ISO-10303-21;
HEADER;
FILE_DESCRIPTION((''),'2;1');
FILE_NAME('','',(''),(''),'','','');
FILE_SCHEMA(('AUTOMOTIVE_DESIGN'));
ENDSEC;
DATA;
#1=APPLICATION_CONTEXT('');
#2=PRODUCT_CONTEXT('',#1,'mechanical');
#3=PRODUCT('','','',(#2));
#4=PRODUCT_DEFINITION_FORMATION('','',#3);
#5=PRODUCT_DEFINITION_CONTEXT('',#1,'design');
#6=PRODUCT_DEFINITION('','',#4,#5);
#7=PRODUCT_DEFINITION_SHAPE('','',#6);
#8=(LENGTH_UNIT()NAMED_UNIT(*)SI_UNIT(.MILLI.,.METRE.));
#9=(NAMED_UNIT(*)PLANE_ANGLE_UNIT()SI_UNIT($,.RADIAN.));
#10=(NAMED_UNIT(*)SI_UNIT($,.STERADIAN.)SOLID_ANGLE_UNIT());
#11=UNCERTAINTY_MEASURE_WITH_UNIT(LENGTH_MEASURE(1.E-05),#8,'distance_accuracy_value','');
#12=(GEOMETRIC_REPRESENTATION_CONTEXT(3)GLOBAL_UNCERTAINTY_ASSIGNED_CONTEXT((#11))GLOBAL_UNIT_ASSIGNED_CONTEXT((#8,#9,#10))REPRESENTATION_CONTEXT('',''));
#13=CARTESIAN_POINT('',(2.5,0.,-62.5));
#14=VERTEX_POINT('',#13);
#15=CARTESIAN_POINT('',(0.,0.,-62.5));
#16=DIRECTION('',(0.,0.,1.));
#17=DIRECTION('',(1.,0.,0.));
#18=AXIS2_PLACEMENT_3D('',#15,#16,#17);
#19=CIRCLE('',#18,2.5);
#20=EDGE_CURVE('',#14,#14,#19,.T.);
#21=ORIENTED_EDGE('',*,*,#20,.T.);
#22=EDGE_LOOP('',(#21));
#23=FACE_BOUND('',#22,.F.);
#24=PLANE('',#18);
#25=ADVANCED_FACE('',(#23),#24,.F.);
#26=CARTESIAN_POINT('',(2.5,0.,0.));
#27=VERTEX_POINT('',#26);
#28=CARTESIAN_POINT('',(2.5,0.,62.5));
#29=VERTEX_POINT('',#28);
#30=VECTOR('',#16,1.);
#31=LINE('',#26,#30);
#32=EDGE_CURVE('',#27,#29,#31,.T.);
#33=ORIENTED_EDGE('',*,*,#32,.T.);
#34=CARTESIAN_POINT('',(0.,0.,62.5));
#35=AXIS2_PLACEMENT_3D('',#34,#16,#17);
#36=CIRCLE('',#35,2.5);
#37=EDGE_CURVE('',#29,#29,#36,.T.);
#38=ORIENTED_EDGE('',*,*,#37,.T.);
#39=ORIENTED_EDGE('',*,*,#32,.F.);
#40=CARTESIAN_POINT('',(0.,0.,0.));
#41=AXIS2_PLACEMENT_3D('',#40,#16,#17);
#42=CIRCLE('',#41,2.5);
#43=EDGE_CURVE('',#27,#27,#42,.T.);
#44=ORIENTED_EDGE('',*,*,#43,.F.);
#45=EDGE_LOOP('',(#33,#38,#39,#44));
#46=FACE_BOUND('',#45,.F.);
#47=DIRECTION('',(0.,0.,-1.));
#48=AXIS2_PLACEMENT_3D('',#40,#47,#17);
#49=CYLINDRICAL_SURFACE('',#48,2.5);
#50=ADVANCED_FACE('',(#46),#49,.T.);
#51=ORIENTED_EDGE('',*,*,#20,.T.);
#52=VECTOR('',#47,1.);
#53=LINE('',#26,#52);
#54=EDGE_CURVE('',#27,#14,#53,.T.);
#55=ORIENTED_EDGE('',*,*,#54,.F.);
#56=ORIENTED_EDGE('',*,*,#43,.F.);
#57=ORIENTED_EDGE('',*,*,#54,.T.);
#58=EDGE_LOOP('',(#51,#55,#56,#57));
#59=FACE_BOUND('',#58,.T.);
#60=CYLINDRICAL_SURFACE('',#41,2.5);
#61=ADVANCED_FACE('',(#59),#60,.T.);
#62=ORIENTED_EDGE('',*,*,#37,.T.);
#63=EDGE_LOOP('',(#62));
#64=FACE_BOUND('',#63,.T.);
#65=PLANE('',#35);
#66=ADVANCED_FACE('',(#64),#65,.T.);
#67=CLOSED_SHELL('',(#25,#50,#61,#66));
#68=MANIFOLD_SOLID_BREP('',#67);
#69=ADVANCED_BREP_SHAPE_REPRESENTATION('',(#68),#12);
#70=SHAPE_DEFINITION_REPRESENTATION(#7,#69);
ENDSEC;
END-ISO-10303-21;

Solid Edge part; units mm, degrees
sketch "Sketch1" plane through (0, 0, 0) normal (0, 0, 1) x (1, 0, 0)
  circle A0 centre (0, 0) radius 2.5
  dimension "D1" = 5
extrude "Ajout_matière_1" add sketch "Sketch1" along normal mid plane 125
cosmetic_thread "Filetage_1" size "M5 x 0.5" thread depth 97
properties material "Acier S235"
